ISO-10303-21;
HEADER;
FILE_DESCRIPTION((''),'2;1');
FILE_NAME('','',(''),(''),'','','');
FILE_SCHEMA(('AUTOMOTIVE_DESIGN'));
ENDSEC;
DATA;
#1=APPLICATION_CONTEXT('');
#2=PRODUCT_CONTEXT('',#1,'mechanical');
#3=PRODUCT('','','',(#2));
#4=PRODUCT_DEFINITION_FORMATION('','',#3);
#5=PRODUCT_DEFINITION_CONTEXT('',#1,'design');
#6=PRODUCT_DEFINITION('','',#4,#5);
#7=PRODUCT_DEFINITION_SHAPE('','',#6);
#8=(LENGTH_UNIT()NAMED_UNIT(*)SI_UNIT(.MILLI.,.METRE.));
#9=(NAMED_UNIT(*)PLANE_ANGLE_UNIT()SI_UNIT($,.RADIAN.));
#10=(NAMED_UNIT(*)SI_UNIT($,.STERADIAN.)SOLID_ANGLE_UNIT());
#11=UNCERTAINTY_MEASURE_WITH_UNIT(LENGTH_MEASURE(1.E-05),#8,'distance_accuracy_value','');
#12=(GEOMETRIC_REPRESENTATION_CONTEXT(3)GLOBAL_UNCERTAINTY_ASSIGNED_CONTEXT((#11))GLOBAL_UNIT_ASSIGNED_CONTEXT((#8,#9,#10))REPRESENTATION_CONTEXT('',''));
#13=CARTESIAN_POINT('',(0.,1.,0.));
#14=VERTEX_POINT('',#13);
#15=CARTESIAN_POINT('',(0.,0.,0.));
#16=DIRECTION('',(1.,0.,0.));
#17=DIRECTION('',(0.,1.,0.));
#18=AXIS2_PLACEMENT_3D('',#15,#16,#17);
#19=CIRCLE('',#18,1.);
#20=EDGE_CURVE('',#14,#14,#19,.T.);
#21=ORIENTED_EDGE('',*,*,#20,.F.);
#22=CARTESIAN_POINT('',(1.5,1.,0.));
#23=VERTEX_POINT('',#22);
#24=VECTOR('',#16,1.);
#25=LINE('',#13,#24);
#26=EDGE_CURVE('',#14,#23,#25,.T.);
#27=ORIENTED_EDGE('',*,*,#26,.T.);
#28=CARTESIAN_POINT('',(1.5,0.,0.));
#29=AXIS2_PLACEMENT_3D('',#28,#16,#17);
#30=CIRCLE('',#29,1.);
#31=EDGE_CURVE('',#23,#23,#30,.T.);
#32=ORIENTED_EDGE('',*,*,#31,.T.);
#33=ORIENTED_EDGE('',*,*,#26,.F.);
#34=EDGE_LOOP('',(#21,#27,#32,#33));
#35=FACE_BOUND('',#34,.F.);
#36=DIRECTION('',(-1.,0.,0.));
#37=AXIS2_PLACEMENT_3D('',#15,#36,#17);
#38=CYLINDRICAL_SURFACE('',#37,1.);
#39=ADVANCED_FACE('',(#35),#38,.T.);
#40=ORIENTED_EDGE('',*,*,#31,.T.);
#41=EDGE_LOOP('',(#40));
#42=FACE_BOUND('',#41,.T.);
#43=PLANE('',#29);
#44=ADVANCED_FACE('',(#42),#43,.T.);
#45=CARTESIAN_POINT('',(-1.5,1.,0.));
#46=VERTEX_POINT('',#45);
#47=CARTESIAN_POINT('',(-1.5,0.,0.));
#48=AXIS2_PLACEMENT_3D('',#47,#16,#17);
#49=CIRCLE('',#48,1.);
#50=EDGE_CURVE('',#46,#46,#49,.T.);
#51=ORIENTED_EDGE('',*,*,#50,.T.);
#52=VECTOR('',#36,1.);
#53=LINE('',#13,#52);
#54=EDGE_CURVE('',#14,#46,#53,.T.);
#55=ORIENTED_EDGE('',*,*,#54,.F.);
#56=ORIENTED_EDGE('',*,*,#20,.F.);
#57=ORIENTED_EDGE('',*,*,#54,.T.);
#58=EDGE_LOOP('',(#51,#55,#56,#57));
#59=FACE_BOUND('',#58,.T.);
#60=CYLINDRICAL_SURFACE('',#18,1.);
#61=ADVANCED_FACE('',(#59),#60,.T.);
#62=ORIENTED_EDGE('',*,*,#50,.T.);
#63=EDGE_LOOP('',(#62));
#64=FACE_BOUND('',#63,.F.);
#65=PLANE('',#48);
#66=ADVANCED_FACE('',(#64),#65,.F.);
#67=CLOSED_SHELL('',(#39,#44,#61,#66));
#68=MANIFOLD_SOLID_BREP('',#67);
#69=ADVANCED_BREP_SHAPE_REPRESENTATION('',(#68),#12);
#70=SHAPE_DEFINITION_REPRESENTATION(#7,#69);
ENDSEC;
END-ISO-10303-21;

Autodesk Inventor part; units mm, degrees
ref_plane "YZ Plane" through (0, 0, 0) normal (1, 0, 0) x (0, 1, 0)
ref_plane "XZ Plane" through (0, 0, 0) normal (0, 1, 0) x (-1, 0, 0)
ref_plane "XY Plane" through (0, 0, 0) normal (0, 0, 1) x (1, 0, 0)
sketch "草圖1" plane through (0, 0, 0) normal (1, 0, 0) x (0, 1, 0)
  circle A0 centre (0, 0) radius 1
  dimension "d0" = 2
extrude "擠出1" add sketch "草圖1" along normal mid plane 3
properties part number "銷3"
